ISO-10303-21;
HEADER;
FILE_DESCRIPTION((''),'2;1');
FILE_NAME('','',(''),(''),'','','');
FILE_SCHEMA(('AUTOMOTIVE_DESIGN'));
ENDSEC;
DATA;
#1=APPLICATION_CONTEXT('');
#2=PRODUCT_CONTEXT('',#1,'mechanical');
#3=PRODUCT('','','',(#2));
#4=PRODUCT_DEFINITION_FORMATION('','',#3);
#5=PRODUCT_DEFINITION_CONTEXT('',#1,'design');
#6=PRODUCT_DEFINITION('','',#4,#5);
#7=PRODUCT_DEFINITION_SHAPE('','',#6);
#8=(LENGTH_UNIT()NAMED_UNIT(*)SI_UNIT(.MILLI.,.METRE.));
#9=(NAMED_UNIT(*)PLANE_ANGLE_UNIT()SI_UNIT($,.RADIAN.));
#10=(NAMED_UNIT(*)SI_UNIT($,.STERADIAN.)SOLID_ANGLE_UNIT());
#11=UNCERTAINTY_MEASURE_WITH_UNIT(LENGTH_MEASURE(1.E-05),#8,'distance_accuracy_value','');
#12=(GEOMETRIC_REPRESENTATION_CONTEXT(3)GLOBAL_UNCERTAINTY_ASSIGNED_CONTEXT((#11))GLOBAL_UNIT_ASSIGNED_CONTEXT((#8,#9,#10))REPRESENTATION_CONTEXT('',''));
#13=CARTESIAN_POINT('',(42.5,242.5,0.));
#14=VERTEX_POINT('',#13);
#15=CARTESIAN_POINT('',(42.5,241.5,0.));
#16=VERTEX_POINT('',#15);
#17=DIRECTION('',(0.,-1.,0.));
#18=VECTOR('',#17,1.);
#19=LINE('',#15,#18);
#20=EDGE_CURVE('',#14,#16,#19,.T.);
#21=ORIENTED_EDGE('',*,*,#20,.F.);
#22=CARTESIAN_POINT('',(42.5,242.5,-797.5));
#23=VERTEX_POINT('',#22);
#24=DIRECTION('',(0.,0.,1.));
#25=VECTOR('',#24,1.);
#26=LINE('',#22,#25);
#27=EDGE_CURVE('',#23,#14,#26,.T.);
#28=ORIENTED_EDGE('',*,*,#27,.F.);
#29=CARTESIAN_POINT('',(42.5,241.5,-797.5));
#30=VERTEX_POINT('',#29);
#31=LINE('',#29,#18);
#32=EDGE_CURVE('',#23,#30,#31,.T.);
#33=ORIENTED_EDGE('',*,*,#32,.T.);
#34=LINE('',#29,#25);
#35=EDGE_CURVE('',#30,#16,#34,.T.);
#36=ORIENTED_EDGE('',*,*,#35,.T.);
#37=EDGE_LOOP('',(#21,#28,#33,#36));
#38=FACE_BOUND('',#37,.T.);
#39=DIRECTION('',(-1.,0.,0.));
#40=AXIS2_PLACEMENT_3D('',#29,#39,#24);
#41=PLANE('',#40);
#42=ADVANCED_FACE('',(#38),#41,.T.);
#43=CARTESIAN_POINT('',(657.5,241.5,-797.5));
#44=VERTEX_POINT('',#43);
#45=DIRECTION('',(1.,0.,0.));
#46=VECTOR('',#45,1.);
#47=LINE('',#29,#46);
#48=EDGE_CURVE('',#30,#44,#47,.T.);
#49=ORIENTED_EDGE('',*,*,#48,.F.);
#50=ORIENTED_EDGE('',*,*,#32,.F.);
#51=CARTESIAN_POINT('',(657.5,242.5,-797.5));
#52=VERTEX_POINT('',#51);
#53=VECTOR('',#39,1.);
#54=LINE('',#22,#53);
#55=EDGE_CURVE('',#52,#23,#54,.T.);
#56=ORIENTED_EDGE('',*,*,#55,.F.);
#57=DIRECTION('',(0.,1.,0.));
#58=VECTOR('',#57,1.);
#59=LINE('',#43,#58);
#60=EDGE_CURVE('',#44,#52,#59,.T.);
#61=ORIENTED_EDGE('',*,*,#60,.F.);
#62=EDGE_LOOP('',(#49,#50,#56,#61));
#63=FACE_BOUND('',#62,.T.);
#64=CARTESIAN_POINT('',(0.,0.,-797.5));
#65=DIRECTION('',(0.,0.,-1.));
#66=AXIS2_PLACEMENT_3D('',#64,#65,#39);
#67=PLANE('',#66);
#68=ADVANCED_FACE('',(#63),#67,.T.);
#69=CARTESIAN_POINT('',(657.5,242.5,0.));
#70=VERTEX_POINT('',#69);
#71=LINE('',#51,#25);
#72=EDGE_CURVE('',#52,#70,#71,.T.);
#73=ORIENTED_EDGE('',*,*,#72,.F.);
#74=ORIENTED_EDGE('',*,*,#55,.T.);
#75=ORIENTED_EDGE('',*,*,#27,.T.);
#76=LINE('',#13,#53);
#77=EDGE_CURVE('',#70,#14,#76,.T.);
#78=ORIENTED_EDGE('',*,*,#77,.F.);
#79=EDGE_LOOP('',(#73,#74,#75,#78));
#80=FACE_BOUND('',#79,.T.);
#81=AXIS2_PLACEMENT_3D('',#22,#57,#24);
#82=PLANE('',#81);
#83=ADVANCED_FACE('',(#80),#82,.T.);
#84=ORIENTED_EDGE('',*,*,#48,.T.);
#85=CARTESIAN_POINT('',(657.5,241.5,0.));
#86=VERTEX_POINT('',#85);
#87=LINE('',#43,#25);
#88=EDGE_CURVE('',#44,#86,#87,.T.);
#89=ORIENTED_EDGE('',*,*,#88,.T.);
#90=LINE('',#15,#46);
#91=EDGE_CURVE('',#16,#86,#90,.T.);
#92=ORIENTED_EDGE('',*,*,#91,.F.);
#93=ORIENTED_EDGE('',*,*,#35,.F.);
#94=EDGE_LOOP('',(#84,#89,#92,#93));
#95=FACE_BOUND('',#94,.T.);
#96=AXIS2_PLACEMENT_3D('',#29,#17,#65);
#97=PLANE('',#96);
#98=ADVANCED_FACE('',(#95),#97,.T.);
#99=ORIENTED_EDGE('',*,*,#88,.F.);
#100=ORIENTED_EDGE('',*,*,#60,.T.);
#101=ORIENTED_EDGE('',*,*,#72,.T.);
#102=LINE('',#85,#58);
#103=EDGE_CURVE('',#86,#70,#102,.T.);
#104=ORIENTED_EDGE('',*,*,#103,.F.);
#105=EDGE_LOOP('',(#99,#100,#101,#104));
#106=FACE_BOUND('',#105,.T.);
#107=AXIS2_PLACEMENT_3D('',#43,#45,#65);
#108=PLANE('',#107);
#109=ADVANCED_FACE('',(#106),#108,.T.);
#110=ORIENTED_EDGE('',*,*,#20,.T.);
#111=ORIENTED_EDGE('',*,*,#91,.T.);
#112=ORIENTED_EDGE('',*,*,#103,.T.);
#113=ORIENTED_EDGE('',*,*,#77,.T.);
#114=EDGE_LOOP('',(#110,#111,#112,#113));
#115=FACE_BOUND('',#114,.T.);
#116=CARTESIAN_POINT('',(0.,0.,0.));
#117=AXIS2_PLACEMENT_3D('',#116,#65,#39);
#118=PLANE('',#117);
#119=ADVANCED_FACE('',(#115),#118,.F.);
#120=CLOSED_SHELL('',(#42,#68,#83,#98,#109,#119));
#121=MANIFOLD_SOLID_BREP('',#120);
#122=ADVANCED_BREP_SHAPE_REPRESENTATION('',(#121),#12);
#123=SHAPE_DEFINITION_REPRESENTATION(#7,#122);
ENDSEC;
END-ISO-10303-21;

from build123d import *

# Parameters (mm, degrees)
SKETCH1_W              = 615
SKETCH1_H              = 1
TOPPING_IC_ALT_1_DEPTH = 797.5


with BuildPart() as part:
    # Sketch1 → TOPPING_ic_alt_1 (new body)
    with BuildSketch(Plane.XY):
        with Locations((350, 242)):
            Rectangle(SKETCH1_W, SKETCH1_H)
    extrude(amount=-TOPPING_IC_ALT_1_DEPTH)


solid = part.part
